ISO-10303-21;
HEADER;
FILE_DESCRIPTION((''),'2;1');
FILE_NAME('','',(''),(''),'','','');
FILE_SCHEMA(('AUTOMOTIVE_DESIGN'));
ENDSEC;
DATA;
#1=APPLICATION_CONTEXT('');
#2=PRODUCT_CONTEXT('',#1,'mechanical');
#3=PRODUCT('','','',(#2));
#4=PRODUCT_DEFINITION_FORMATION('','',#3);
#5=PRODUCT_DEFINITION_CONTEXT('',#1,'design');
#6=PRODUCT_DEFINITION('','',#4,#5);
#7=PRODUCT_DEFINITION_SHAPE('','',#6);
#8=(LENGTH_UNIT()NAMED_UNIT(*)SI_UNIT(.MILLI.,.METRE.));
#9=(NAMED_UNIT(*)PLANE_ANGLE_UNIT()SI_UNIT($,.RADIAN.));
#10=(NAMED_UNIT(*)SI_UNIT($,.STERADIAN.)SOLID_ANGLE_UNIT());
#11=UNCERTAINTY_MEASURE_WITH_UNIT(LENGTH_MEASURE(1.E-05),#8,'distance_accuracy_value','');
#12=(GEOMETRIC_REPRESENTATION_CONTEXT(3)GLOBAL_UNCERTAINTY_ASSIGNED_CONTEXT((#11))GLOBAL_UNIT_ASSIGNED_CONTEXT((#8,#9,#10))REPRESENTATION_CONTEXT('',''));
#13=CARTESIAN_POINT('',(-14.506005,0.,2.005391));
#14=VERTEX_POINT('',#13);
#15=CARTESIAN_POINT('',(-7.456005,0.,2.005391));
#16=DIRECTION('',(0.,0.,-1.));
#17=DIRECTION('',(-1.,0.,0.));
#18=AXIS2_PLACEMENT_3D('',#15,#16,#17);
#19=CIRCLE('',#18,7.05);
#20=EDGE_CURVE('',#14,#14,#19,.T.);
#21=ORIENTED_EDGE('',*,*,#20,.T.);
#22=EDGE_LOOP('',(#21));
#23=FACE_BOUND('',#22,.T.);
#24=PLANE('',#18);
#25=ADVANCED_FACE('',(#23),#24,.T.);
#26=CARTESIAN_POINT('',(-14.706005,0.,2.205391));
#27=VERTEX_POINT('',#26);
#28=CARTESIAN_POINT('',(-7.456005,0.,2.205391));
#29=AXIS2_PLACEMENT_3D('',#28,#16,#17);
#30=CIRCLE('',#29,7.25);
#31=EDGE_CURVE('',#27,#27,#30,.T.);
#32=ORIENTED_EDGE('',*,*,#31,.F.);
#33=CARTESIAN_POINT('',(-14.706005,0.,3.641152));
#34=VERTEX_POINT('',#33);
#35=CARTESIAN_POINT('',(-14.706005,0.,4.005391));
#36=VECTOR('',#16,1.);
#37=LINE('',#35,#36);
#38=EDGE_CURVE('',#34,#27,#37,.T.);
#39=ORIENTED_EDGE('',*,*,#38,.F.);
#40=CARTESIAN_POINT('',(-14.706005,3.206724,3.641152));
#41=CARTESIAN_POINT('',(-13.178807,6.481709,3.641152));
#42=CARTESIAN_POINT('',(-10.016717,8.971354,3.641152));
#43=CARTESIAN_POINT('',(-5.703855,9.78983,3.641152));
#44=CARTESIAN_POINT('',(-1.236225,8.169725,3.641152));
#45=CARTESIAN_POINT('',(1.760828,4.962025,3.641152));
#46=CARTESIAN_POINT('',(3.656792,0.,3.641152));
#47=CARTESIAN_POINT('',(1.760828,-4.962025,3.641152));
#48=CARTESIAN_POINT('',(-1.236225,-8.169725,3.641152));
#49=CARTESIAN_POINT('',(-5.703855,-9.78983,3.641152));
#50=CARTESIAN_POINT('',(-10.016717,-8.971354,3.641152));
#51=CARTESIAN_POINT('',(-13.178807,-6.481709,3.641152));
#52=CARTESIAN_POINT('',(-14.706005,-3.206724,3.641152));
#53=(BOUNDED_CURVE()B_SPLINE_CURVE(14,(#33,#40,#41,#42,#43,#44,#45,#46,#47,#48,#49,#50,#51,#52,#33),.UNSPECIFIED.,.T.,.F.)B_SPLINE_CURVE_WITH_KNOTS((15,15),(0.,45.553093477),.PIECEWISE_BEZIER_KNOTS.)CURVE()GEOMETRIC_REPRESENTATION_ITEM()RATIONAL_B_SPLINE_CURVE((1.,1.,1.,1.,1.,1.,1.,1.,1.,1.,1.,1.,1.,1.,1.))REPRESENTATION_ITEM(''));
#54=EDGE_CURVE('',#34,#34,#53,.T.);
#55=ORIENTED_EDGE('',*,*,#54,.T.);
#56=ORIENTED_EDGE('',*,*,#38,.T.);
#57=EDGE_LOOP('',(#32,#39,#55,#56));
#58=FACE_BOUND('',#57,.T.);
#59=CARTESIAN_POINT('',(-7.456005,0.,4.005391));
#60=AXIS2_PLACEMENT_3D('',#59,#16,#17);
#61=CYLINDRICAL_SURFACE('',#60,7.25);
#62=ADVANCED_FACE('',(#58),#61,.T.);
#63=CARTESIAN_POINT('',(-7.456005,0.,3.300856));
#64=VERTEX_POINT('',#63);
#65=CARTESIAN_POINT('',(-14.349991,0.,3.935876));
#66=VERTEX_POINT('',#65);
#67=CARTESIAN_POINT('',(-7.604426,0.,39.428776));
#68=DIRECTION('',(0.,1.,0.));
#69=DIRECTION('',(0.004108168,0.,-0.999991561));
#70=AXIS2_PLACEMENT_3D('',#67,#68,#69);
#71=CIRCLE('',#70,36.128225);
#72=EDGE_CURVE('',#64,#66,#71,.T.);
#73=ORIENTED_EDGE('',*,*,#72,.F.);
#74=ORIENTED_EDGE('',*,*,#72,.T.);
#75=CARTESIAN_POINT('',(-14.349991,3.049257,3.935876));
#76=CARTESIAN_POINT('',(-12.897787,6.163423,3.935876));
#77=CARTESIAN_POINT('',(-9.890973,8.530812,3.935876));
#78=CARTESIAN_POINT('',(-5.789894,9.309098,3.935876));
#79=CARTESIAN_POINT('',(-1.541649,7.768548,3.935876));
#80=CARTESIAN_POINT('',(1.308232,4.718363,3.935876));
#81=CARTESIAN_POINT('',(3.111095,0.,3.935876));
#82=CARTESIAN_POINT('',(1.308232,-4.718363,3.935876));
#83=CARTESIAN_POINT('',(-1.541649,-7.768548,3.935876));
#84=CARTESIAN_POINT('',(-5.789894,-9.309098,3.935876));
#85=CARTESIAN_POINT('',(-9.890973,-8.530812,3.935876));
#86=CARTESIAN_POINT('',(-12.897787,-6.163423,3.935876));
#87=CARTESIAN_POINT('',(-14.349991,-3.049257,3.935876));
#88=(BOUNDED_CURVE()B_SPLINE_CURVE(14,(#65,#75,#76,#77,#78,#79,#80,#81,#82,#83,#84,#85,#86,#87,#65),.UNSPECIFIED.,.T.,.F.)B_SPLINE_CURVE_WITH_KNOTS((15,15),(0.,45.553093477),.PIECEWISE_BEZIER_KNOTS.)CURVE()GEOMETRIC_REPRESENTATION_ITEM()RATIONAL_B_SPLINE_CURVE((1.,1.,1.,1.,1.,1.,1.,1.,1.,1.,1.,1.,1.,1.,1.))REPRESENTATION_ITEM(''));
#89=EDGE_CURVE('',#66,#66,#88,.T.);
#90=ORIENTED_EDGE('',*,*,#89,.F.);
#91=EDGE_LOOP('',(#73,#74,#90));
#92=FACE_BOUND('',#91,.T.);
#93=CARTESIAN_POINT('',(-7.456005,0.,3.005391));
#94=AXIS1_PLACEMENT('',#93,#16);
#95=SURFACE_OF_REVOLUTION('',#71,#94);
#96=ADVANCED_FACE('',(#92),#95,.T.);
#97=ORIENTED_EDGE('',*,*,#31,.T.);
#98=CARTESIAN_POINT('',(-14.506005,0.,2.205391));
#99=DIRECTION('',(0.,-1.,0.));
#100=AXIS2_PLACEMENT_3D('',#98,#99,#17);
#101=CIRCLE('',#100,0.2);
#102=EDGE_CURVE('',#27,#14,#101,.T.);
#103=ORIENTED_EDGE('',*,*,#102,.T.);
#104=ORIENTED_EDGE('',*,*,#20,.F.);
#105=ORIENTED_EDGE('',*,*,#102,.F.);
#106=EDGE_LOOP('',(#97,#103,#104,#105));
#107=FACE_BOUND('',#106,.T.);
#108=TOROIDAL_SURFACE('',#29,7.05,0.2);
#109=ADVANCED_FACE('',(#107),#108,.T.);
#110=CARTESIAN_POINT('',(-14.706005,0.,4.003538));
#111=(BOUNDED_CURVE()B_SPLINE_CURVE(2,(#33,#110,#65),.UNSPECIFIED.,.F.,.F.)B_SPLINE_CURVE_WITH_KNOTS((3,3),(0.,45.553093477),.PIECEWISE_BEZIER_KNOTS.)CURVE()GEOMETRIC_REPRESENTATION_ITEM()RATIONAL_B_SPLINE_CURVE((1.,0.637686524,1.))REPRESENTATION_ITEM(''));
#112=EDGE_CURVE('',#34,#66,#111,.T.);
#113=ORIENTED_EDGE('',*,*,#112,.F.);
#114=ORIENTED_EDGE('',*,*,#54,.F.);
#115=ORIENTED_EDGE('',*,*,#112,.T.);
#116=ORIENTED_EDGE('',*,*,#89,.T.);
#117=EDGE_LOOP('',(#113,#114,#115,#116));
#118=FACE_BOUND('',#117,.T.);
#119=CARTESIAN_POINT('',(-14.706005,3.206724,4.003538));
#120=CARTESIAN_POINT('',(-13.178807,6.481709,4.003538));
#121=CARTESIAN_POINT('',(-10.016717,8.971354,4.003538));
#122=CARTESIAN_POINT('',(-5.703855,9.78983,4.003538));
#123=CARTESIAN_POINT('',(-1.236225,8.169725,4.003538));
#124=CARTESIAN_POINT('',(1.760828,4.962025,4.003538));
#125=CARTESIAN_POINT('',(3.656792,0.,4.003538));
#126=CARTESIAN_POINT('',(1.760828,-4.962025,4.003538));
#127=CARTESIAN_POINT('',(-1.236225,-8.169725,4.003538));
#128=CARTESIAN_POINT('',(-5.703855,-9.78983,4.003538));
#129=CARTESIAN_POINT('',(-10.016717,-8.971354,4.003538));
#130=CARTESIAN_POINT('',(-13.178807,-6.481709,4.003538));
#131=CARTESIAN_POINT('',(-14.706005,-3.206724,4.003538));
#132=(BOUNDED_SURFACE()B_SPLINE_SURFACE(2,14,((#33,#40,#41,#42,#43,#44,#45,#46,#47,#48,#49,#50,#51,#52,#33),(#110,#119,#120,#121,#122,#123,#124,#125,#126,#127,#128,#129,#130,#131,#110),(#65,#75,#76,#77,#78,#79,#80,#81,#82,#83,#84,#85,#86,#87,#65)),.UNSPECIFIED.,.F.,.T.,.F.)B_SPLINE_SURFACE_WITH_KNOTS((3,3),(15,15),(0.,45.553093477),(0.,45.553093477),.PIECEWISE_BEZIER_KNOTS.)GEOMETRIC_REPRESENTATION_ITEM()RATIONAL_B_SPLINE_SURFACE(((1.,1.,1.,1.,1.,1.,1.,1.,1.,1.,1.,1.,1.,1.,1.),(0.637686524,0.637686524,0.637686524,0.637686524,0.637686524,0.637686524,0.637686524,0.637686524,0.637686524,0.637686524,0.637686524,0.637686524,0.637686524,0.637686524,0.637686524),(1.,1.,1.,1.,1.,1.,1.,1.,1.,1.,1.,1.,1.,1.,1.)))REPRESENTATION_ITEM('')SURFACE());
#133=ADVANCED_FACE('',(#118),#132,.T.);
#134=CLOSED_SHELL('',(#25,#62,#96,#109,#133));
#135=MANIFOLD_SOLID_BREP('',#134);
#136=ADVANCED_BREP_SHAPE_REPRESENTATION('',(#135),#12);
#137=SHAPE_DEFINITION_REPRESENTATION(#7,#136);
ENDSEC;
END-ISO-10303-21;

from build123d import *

# Parameters (mm, degrees)
F2_R = 0.2
F3_R = 0.3


with BuildPart() as f1:
    # F0 (on Front) → F1 (revolve)
    with BuildSketch(Plane.XZ):
        with BuildLine():
            ThreePointArc((-7.4560047481, 3.3008563332), (-11.0988060832, 3.4699396302), (-14.7060047481, 4.0053913267))
            Line((-14.7060047481, 4.0053913267), (-14.7060047481, 2.0053913267))
            Line((-14.7060047481, 2.0053913267), (-7.4560047481, 2.0053913267))
            Line((-7.4560047481, 2.0053913267), (-7.4560047481, 3.3008563332))
        make_face()
    revolve(axis=Axis((-7.4560047481, 0, 3.0053913267), (0, 0, -1)))

    # F2
    f2_edges = [f1.edges().sort_by_distance(p)[0] for p in [
        (-0.206005, 0, 2.005391),
    ]]
    fillet(f2_edges, radius=F2_R)

    # F3
    f3_edges = [f1.edges().sort_by_distance(p)[0] for p in [
        (-0.206005, 0, 4.005391),
    ]]
    fillet(f3_edges, radius=F3_R)


solid = f1.part
